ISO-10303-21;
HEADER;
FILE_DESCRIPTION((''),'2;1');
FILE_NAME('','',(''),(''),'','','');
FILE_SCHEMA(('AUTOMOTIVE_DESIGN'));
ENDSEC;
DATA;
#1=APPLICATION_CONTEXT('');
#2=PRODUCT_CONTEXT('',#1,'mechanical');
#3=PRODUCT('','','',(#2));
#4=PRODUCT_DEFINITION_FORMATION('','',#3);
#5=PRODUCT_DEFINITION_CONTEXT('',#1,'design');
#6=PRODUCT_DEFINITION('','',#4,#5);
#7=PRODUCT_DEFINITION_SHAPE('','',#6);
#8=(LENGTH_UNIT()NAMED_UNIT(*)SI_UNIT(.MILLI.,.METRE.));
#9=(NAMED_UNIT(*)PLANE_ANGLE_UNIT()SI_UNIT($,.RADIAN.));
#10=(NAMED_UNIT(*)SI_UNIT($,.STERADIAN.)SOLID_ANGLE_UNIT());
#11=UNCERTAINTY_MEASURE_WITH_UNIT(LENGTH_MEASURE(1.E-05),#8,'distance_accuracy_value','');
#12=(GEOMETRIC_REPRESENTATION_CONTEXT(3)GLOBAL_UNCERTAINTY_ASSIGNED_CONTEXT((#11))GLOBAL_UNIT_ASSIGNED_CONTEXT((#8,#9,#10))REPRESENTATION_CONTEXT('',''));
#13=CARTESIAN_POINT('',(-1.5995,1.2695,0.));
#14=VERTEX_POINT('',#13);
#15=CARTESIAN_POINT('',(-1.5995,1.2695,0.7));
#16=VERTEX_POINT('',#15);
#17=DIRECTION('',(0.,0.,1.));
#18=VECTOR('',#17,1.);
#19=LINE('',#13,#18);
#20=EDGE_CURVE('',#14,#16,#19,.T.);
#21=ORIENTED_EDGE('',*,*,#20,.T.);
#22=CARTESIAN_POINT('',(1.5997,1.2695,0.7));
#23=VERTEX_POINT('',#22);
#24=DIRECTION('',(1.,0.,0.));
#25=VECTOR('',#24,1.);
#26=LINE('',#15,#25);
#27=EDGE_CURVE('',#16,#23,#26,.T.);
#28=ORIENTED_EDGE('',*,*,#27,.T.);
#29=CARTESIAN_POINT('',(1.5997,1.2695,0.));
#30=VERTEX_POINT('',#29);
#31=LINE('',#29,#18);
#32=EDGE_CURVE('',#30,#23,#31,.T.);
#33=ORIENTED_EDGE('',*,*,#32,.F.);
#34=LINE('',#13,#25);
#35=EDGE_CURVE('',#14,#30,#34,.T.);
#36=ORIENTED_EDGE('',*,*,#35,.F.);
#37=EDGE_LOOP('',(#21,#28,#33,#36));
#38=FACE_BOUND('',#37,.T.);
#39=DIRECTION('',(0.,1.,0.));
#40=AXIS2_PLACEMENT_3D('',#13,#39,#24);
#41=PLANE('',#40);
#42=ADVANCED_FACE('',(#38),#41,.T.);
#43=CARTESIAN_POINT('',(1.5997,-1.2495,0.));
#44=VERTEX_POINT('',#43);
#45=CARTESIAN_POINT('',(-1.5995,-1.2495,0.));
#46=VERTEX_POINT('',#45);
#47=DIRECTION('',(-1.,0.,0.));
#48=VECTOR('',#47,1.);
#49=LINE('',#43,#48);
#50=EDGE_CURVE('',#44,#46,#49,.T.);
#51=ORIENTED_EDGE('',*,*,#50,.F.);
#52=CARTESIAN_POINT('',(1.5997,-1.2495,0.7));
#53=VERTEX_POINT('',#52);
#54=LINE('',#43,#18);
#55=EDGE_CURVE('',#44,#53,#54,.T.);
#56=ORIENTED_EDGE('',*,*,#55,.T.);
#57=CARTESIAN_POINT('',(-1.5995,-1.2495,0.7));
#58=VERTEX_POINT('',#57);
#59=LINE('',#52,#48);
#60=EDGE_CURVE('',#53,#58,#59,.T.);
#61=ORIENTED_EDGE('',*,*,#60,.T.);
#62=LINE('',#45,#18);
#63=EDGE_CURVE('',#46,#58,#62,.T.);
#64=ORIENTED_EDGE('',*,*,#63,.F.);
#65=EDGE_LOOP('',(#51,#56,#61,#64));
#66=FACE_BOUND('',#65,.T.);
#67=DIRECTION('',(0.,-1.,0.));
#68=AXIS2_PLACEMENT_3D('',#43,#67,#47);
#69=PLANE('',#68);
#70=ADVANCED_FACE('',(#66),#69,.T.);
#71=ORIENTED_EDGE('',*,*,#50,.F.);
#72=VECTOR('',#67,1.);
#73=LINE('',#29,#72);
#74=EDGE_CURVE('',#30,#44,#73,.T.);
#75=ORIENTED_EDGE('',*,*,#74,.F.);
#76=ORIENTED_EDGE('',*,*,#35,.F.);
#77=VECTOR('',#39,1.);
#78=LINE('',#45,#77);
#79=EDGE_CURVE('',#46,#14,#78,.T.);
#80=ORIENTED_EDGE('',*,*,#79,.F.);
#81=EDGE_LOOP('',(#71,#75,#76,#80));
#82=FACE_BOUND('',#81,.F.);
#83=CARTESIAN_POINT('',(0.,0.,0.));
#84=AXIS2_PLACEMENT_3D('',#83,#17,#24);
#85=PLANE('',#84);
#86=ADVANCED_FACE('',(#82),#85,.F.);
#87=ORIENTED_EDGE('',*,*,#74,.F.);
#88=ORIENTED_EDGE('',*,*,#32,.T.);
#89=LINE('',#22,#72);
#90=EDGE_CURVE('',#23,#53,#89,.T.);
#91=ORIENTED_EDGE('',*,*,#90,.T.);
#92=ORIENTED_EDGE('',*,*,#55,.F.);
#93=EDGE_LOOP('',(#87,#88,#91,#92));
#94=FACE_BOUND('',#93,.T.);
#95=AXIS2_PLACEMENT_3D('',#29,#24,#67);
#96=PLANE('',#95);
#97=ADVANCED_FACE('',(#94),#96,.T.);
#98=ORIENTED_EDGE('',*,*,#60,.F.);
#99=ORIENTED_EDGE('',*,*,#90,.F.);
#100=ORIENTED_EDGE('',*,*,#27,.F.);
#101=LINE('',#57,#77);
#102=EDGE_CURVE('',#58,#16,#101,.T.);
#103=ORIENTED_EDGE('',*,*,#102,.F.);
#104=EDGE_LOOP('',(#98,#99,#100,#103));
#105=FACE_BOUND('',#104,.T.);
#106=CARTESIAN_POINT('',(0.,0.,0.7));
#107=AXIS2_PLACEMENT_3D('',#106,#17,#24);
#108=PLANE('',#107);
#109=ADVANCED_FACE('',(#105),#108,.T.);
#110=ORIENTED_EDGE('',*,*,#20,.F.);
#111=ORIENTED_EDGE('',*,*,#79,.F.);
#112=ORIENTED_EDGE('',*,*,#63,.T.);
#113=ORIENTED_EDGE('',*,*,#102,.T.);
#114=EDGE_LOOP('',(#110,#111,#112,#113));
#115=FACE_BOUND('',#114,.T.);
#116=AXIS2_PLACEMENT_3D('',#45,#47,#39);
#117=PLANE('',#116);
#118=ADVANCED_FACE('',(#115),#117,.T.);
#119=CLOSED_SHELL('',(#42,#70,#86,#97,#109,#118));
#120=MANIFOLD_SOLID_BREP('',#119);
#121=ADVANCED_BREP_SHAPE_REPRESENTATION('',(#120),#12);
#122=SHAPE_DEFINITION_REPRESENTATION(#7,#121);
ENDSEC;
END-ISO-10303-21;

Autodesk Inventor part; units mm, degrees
ref_plane "YZ Plane" through (0, 0, 0) normal (1, 0, 0) x (0, 1, 0)
ref_plane "XZ Plane" through (0, 0, 0) normal (0, 1, 0) x (-1, 0, 0)
ref_plane "XY Plane" through (0, 0, 0) normal (0, 0, 1) x (1, 0, 0)
sketch "CRYS320250, 7M-16.000MEEQ-T_211" plane through (0, 0, 0) normal (0, 0, 1) x (1, 0, 0)
  line L0 (-1.5995, -1.2495) -> (-1.5995, 1.2695)
  line L1 (-1.5995, 1.2695) -> (1.5997, 1.2695)
  line L2 (1.5997, 1.2695) -> (1.5997, -1.2495)
  line L3 (1.5997, -1.2495) -> (-1.5995, -1.2495)
extrude "Extrusion1" add sketch "CRYS320250, 7M-16.000MEEQ-T_211" along normal blind 0.7
properties part number "7M-16.000MEEQ-T"
